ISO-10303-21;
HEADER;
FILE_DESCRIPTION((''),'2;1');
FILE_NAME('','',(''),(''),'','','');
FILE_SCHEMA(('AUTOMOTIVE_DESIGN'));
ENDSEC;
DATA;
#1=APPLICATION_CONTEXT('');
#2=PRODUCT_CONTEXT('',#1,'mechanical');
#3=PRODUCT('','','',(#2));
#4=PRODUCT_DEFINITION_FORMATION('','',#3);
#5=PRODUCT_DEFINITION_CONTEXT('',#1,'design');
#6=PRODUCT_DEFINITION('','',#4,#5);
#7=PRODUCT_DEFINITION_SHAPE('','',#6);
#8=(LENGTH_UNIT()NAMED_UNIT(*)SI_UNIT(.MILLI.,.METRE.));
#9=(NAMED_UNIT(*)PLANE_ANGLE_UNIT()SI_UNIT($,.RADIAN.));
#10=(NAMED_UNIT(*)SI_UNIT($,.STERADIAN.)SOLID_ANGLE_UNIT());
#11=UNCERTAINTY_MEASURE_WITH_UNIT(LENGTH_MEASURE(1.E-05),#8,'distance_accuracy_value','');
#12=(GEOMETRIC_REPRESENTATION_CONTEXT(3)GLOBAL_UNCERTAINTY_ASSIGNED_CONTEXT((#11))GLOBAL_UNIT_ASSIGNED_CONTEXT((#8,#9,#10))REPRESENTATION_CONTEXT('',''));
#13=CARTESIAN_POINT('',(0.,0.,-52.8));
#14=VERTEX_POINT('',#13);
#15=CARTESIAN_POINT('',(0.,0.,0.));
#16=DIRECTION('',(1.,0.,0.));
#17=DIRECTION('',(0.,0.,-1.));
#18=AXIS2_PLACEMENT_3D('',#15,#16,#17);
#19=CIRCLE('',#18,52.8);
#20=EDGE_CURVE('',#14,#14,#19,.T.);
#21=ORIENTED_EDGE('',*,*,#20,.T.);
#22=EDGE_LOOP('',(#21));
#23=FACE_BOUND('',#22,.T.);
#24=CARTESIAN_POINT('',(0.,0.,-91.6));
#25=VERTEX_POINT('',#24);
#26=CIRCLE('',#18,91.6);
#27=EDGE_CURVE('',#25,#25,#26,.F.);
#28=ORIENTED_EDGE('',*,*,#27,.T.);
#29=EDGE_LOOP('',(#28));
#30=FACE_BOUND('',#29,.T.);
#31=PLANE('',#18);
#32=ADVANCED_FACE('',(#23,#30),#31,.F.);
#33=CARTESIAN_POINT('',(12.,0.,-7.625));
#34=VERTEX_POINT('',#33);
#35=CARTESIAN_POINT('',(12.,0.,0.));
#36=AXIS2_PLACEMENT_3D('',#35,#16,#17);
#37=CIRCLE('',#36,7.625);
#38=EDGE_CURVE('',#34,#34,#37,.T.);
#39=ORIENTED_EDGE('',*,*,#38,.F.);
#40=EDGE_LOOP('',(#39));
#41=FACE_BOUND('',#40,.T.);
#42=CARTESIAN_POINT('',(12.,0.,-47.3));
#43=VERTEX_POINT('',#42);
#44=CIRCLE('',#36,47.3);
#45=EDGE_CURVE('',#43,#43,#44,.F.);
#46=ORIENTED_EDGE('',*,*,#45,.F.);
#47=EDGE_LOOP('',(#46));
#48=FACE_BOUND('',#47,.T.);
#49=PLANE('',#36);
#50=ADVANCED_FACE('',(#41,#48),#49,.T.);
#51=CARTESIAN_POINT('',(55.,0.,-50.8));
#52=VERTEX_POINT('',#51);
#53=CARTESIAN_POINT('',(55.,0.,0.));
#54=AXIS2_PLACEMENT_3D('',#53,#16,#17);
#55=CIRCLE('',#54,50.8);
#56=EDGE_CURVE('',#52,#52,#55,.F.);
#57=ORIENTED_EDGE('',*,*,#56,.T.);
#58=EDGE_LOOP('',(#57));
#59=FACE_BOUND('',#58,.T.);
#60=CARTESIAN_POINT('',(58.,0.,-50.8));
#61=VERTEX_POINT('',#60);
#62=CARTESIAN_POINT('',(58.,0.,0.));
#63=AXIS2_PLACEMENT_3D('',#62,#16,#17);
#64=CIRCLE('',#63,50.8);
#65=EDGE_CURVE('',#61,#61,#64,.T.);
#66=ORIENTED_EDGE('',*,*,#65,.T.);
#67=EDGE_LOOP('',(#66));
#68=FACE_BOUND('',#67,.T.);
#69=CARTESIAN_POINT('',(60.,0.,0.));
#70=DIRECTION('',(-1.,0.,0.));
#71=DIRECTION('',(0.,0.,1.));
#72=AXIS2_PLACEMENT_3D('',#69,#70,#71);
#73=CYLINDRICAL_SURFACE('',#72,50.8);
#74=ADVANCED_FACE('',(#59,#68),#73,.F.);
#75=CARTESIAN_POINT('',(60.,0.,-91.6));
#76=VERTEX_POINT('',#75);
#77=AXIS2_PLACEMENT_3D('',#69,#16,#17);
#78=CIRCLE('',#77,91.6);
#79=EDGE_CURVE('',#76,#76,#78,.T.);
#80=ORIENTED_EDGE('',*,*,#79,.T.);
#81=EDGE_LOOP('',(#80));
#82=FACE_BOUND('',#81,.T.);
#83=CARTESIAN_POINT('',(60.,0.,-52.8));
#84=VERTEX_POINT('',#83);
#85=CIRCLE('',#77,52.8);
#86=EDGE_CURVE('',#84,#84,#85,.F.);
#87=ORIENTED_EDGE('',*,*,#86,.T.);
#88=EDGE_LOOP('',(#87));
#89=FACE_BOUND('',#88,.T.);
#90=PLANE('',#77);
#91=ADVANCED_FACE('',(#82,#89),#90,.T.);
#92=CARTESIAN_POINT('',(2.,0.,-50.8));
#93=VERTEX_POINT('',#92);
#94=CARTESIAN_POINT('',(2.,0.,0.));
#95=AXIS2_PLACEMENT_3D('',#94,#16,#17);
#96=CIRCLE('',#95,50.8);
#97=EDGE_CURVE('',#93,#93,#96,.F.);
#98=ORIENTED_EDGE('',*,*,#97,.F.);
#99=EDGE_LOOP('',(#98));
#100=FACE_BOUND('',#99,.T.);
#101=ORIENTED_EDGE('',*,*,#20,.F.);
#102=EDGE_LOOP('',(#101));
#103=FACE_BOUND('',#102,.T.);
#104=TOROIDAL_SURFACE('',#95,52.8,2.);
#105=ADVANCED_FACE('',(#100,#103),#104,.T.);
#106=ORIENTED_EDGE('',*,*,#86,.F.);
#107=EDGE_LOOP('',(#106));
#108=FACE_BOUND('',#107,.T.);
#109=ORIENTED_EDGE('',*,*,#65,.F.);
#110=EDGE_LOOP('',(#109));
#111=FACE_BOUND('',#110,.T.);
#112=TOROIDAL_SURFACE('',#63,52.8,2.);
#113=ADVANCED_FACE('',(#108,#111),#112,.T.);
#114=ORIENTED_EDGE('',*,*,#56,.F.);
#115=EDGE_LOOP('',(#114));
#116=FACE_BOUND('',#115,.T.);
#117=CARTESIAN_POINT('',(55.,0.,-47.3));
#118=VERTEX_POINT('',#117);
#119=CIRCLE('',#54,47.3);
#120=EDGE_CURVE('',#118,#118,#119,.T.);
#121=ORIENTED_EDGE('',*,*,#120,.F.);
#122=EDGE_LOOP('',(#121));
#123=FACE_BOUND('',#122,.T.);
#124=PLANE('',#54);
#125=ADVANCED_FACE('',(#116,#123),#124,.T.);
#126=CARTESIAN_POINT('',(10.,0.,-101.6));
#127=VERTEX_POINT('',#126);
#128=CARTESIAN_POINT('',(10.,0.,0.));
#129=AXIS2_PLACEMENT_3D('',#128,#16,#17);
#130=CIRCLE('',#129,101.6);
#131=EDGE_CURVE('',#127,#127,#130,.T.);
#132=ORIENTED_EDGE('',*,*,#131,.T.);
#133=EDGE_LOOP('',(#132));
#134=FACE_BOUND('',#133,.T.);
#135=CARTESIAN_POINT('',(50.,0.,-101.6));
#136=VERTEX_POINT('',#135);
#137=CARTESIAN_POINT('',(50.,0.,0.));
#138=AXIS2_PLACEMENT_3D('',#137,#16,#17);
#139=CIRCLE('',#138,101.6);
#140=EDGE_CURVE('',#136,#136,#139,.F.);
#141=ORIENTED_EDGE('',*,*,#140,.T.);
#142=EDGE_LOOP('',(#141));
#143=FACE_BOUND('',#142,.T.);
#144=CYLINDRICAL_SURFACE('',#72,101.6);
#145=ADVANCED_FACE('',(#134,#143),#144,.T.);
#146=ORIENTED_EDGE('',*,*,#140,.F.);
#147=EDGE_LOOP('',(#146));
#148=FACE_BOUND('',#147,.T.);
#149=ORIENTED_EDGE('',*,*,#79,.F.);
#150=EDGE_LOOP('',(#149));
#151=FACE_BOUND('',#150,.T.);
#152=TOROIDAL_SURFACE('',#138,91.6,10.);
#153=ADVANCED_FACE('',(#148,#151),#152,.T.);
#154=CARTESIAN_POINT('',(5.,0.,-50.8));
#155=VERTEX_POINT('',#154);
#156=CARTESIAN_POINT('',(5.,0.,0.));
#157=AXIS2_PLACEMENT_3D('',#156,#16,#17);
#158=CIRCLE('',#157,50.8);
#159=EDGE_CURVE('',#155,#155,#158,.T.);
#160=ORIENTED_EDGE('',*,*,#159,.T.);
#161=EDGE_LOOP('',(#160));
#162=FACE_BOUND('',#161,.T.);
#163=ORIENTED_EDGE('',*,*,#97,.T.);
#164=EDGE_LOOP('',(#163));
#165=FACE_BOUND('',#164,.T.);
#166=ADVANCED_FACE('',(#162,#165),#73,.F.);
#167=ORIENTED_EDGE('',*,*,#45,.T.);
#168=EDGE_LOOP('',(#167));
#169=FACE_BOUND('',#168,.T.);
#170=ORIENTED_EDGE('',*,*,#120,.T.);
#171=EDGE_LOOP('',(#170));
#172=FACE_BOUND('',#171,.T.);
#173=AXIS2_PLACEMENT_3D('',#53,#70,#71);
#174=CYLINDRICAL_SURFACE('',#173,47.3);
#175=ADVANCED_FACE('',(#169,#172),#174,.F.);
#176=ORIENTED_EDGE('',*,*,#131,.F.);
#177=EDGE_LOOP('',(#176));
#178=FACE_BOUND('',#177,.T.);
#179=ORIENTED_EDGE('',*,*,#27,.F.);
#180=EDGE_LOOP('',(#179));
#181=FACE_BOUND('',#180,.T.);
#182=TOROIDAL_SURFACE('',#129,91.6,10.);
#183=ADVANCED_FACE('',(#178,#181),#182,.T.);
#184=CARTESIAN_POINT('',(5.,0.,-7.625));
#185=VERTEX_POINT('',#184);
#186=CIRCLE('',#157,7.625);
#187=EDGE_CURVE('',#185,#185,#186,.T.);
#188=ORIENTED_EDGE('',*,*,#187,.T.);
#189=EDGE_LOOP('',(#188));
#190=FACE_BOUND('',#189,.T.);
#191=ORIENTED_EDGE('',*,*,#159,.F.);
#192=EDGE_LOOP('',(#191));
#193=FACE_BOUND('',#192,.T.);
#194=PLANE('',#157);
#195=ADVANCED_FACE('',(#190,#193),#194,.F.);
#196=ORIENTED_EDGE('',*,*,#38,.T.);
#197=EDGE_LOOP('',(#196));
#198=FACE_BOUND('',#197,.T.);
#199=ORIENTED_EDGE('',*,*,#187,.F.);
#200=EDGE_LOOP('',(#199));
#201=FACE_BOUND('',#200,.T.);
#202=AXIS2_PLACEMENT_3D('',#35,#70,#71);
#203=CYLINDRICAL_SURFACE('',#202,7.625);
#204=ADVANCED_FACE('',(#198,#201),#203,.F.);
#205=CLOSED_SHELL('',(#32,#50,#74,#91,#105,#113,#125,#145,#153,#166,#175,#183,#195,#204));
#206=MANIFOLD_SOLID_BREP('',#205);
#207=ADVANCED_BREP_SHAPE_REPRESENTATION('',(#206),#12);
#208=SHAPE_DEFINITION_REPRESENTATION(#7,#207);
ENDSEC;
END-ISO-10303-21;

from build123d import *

# Parameters (mm, degrees)
HUB_START      = 5
SKETCH1_R      = 50.8
SKETCH1_R_2    = 7.625
HUB_FACE_DEPTH = 7
SKETCH2_R      = 50.8
SKETCH2_R_2    = 47.3
HUB_DEPTH      = 50
SKETCH3_R      = 101.6
SKETCH3_R_2    = 50.8
RUBBER_DEPTH   = 60
FILLET1_R      = 10
FILLET2_R      = 2


with BuildPart() as part:
    # Sketch1 → Hub Face (new body)
    with BuildSketch(Plane(origin=(0, 0, 0), x_dir=(0, 0, -1), z_dir=(1, 0, 0)).offset(HUB_START)):
        Circle(SKETCH1_R)
        Circle(SKETCH1_R_2, mode=Mode.SUBTRACT)
    extrude(amount=HUB_FACE_DEPTH)

    # Sketch2 → Hub (add)
    with BuildSketch(Plane(origin=(0, 0, 0), x_dir=(0, 0, -1), z_dir=(1, 0, 0)).offset(HUB_START)):
        Circle(SKETCH2_R)
        Circle(SKETCH2_R_2, mode=Mode.SUBTRACT)
    extrude(amount=HUB_DEPTH)

    # Sketch3 → Rubber (add)
    with BuildSketch(Plane(origin=(0, 0, 0), x_dir=(0, 0, -1), z_dir=(1, 0, 0))):
        Circle(SKETCH3_R)
        Circle(SKETCH3_R_2, mode=Mode.SUBTRACT)
    extrude(amount=RUBBER_DEPTH)

    # Fillet1
    fillet1_edges = [part.edges().sort_by_distance(p)[0] for p in [
        (60, 0, 101.6),
        (0, 0, 101.6),
    ]]
    fillet(fillet1_edges, radius=FILLET1_R)

    # Fillet2
    fillet2_edges = [part.edges().sort_by_distance(p)[0] for p in [
        (0, 0, 50.8),
        (60, 0, 50.8),
    ]]
    fillet(fillet2_edges, radius=FILLET2_R)


solid = part.part
